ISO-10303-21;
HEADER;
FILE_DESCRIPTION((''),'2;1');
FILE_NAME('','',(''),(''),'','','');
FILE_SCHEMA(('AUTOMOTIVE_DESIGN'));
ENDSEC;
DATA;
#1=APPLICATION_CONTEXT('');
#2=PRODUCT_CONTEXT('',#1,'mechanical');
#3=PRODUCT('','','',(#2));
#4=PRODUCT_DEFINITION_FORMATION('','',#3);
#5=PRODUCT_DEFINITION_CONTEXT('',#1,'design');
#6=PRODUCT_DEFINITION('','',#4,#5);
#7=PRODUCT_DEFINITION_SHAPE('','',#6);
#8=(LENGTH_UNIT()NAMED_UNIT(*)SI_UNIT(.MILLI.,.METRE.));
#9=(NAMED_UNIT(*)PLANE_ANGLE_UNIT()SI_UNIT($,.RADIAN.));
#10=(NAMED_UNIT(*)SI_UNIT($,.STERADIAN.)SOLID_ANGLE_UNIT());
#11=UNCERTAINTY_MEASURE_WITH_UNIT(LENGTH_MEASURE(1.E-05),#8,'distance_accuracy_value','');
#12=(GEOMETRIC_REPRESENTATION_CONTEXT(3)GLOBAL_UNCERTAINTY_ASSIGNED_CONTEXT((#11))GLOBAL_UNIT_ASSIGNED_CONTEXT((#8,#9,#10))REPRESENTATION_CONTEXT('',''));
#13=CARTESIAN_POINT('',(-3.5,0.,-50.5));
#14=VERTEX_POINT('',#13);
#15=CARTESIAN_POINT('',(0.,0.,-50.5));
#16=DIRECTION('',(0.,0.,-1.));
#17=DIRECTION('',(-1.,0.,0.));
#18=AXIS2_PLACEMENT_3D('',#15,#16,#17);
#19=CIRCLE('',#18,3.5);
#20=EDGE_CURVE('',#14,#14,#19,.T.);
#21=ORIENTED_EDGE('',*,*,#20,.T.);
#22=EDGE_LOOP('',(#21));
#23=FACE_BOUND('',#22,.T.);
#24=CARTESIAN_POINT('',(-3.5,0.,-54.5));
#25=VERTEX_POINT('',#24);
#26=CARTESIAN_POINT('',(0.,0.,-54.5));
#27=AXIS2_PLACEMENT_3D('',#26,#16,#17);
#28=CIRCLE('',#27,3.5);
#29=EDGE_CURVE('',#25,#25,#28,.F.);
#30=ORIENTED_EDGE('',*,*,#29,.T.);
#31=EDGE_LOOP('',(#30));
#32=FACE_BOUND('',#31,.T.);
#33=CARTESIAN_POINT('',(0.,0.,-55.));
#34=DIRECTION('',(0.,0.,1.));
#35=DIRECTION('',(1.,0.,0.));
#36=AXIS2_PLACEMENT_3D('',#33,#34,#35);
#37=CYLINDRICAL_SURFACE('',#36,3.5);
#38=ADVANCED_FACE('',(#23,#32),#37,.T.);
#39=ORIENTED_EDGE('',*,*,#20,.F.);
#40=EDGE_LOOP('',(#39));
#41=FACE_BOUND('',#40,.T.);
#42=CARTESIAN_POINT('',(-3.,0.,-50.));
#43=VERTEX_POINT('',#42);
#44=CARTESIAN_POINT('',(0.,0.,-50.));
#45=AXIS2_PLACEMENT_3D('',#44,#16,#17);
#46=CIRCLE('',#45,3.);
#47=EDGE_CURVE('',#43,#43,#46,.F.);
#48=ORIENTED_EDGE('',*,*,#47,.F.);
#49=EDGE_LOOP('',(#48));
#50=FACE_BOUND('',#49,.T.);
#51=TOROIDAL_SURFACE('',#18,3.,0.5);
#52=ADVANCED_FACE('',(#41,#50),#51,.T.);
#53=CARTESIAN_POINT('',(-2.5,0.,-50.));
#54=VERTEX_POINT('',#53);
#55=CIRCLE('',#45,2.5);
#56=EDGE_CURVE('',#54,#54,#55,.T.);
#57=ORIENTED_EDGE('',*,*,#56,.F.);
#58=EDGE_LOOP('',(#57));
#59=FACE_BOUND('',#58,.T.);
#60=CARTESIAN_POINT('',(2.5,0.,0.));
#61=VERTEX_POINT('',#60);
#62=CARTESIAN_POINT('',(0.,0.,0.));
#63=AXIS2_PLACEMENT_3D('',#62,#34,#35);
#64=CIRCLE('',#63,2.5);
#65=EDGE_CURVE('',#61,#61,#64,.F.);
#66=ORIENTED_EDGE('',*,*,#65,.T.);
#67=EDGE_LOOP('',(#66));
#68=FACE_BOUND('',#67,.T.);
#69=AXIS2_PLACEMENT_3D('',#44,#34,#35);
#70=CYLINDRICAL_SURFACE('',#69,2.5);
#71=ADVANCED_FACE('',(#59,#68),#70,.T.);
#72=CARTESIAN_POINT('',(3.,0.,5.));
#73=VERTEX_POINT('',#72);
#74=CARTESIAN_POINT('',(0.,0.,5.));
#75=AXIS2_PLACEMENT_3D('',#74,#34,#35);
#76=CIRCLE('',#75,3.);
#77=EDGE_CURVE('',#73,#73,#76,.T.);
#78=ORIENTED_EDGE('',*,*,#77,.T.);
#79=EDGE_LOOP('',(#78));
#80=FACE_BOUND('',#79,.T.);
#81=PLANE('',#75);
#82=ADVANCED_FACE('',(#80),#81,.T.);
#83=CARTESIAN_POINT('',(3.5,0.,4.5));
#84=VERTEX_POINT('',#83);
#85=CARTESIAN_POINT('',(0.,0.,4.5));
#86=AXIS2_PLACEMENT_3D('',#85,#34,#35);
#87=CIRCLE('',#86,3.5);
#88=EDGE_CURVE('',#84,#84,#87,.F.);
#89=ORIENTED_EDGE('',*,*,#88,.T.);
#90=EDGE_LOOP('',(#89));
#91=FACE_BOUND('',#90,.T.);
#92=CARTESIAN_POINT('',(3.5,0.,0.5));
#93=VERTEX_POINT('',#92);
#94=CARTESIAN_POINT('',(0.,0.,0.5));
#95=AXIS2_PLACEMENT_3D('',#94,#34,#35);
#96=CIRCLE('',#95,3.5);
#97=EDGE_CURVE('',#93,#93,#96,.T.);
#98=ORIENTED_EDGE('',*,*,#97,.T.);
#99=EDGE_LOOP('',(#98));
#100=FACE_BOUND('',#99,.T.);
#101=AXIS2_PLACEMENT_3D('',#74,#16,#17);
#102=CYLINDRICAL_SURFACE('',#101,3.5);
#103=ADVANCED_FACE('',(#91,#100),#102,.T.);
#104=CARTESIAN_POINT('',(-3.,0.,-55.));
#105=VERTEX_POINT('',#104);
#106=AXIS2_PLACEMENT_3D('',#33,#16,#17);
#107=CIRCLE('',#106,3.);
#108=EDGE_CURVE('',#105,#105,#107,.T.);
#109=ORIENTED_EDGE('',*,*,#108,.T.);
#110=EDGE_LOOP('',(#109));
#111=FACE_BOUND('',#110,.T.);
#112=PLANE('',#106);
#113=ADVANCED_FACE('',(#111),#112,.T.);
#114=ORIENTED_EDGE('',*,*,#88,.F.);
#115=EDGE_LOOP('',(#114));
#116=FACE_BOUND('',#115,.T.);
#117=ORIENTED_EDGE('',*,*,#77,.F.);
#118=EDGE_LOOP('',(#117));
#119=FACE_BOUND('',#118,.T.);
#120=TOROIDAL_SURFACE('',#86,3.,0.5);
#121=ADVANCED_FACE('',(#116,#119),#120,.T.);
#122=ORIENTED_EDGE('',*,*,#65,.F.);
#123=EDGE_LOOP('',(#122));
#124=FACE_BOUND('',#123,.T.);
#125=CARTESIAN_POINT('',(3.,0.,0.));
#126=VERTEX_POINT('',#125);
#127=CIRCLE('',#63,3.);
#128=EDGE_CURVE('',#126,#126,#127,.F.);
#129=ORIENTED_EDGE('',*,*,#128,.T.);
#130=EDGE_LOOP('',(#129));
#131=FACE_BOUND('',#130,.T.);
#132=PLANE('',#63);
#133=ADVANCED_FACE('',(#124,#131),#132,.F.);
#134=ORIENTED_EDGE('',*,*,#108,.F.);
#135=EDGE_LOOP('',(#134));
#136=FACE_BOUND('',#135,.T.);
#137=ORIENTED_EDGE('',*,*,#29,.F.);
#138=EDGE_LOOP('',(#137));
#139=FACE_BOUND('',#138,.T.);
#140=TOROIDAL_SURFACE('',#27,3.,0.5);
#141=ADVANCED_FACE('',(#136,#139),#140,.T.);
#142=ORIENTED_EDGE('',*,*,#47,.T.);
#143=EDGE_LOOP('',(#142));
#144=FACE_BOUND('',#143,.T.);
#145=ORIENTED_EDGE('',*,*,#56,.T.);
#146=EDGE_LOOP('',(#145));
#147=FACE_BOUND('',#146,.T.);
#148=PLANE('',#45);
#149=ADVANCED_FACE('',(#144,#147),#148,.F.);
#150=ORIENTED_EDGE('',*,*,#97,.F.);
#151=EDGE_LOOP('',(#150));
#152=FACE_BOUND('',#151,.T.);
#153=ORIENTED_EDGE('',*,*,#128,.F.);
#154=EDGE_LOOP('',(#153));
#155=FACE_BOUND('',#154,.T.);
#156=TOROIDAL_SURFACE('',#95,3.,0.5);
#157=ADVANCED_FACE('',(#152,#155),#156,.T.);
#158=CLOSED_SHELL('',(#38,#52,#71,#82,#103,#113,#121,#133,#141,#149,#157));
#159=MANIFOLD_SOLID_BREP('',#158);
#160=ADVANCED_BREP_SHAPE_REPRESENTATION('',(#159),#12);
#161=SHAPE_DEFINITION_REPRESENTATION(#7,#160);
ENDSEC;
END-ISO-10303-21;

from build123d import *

# Parameters (mm, degrees)
SKETCH1_R           = 3.5
BOSS_EXTRUDE1_DEPTH = 5
SKETCH2_R           = 2.5
BOSS_EXTRUDE2_DEPTH = 50
BOSS_EXTRUDE3_START = 5
SKETCH3_R           = 3.5
BOSS_EXTRUDE3_DEPTH = 5
FILLET1_R           = 0.5


with BuildPart() as part:
    # Sketch1 → Boss-Extrude1 (new body)
    with BuildSketch(Plane.XY):
        Circle(SKETCH1_R)
    extrude(amount=BOSS_EXTRUDE1_DEPTH)

    # Sketch2 → Boss-Extrude2 (add)
    with BuildSketch(Plane(origin=(0, 0, 0), x_dir=(-1, 0, 0), z_dir=(0, 0, -1))):
        with Locations(Location((0, 0, 0), (0, 0, 180))):
            Circle(SKETCH2_R)
    extrude(amount=BOSS_EXTRUDE2_DEPTH)

    # Sketch3 → Boss-Extrude3 (add)
    with BuildSketch(Plane(origin=(0, 0, -50), x_dir=(-1, 0, 0), z_dir=(0, 0, -1)).offset(BOSS_EXTRUDE3_START)):
        with Locations(Location((0, 0, 0), (0, 0, 180))):
            Circle(SKETCH3_R)
    extrude(amount=-BOSS_EXTRUDE3_DEPTH)

    # Fillet1
    fillet1_edges = [part.edges().sort_by_distance(p)[0] for p in [
        (-3.5, 0, 0),
        (-3.5, 0, 5),
        (-3.5, 0, -50),
        (-3.5, 0, -55),
    ]]
    fillet(fillet1_edges, radius=FILLET1_R)


solid = part.part
